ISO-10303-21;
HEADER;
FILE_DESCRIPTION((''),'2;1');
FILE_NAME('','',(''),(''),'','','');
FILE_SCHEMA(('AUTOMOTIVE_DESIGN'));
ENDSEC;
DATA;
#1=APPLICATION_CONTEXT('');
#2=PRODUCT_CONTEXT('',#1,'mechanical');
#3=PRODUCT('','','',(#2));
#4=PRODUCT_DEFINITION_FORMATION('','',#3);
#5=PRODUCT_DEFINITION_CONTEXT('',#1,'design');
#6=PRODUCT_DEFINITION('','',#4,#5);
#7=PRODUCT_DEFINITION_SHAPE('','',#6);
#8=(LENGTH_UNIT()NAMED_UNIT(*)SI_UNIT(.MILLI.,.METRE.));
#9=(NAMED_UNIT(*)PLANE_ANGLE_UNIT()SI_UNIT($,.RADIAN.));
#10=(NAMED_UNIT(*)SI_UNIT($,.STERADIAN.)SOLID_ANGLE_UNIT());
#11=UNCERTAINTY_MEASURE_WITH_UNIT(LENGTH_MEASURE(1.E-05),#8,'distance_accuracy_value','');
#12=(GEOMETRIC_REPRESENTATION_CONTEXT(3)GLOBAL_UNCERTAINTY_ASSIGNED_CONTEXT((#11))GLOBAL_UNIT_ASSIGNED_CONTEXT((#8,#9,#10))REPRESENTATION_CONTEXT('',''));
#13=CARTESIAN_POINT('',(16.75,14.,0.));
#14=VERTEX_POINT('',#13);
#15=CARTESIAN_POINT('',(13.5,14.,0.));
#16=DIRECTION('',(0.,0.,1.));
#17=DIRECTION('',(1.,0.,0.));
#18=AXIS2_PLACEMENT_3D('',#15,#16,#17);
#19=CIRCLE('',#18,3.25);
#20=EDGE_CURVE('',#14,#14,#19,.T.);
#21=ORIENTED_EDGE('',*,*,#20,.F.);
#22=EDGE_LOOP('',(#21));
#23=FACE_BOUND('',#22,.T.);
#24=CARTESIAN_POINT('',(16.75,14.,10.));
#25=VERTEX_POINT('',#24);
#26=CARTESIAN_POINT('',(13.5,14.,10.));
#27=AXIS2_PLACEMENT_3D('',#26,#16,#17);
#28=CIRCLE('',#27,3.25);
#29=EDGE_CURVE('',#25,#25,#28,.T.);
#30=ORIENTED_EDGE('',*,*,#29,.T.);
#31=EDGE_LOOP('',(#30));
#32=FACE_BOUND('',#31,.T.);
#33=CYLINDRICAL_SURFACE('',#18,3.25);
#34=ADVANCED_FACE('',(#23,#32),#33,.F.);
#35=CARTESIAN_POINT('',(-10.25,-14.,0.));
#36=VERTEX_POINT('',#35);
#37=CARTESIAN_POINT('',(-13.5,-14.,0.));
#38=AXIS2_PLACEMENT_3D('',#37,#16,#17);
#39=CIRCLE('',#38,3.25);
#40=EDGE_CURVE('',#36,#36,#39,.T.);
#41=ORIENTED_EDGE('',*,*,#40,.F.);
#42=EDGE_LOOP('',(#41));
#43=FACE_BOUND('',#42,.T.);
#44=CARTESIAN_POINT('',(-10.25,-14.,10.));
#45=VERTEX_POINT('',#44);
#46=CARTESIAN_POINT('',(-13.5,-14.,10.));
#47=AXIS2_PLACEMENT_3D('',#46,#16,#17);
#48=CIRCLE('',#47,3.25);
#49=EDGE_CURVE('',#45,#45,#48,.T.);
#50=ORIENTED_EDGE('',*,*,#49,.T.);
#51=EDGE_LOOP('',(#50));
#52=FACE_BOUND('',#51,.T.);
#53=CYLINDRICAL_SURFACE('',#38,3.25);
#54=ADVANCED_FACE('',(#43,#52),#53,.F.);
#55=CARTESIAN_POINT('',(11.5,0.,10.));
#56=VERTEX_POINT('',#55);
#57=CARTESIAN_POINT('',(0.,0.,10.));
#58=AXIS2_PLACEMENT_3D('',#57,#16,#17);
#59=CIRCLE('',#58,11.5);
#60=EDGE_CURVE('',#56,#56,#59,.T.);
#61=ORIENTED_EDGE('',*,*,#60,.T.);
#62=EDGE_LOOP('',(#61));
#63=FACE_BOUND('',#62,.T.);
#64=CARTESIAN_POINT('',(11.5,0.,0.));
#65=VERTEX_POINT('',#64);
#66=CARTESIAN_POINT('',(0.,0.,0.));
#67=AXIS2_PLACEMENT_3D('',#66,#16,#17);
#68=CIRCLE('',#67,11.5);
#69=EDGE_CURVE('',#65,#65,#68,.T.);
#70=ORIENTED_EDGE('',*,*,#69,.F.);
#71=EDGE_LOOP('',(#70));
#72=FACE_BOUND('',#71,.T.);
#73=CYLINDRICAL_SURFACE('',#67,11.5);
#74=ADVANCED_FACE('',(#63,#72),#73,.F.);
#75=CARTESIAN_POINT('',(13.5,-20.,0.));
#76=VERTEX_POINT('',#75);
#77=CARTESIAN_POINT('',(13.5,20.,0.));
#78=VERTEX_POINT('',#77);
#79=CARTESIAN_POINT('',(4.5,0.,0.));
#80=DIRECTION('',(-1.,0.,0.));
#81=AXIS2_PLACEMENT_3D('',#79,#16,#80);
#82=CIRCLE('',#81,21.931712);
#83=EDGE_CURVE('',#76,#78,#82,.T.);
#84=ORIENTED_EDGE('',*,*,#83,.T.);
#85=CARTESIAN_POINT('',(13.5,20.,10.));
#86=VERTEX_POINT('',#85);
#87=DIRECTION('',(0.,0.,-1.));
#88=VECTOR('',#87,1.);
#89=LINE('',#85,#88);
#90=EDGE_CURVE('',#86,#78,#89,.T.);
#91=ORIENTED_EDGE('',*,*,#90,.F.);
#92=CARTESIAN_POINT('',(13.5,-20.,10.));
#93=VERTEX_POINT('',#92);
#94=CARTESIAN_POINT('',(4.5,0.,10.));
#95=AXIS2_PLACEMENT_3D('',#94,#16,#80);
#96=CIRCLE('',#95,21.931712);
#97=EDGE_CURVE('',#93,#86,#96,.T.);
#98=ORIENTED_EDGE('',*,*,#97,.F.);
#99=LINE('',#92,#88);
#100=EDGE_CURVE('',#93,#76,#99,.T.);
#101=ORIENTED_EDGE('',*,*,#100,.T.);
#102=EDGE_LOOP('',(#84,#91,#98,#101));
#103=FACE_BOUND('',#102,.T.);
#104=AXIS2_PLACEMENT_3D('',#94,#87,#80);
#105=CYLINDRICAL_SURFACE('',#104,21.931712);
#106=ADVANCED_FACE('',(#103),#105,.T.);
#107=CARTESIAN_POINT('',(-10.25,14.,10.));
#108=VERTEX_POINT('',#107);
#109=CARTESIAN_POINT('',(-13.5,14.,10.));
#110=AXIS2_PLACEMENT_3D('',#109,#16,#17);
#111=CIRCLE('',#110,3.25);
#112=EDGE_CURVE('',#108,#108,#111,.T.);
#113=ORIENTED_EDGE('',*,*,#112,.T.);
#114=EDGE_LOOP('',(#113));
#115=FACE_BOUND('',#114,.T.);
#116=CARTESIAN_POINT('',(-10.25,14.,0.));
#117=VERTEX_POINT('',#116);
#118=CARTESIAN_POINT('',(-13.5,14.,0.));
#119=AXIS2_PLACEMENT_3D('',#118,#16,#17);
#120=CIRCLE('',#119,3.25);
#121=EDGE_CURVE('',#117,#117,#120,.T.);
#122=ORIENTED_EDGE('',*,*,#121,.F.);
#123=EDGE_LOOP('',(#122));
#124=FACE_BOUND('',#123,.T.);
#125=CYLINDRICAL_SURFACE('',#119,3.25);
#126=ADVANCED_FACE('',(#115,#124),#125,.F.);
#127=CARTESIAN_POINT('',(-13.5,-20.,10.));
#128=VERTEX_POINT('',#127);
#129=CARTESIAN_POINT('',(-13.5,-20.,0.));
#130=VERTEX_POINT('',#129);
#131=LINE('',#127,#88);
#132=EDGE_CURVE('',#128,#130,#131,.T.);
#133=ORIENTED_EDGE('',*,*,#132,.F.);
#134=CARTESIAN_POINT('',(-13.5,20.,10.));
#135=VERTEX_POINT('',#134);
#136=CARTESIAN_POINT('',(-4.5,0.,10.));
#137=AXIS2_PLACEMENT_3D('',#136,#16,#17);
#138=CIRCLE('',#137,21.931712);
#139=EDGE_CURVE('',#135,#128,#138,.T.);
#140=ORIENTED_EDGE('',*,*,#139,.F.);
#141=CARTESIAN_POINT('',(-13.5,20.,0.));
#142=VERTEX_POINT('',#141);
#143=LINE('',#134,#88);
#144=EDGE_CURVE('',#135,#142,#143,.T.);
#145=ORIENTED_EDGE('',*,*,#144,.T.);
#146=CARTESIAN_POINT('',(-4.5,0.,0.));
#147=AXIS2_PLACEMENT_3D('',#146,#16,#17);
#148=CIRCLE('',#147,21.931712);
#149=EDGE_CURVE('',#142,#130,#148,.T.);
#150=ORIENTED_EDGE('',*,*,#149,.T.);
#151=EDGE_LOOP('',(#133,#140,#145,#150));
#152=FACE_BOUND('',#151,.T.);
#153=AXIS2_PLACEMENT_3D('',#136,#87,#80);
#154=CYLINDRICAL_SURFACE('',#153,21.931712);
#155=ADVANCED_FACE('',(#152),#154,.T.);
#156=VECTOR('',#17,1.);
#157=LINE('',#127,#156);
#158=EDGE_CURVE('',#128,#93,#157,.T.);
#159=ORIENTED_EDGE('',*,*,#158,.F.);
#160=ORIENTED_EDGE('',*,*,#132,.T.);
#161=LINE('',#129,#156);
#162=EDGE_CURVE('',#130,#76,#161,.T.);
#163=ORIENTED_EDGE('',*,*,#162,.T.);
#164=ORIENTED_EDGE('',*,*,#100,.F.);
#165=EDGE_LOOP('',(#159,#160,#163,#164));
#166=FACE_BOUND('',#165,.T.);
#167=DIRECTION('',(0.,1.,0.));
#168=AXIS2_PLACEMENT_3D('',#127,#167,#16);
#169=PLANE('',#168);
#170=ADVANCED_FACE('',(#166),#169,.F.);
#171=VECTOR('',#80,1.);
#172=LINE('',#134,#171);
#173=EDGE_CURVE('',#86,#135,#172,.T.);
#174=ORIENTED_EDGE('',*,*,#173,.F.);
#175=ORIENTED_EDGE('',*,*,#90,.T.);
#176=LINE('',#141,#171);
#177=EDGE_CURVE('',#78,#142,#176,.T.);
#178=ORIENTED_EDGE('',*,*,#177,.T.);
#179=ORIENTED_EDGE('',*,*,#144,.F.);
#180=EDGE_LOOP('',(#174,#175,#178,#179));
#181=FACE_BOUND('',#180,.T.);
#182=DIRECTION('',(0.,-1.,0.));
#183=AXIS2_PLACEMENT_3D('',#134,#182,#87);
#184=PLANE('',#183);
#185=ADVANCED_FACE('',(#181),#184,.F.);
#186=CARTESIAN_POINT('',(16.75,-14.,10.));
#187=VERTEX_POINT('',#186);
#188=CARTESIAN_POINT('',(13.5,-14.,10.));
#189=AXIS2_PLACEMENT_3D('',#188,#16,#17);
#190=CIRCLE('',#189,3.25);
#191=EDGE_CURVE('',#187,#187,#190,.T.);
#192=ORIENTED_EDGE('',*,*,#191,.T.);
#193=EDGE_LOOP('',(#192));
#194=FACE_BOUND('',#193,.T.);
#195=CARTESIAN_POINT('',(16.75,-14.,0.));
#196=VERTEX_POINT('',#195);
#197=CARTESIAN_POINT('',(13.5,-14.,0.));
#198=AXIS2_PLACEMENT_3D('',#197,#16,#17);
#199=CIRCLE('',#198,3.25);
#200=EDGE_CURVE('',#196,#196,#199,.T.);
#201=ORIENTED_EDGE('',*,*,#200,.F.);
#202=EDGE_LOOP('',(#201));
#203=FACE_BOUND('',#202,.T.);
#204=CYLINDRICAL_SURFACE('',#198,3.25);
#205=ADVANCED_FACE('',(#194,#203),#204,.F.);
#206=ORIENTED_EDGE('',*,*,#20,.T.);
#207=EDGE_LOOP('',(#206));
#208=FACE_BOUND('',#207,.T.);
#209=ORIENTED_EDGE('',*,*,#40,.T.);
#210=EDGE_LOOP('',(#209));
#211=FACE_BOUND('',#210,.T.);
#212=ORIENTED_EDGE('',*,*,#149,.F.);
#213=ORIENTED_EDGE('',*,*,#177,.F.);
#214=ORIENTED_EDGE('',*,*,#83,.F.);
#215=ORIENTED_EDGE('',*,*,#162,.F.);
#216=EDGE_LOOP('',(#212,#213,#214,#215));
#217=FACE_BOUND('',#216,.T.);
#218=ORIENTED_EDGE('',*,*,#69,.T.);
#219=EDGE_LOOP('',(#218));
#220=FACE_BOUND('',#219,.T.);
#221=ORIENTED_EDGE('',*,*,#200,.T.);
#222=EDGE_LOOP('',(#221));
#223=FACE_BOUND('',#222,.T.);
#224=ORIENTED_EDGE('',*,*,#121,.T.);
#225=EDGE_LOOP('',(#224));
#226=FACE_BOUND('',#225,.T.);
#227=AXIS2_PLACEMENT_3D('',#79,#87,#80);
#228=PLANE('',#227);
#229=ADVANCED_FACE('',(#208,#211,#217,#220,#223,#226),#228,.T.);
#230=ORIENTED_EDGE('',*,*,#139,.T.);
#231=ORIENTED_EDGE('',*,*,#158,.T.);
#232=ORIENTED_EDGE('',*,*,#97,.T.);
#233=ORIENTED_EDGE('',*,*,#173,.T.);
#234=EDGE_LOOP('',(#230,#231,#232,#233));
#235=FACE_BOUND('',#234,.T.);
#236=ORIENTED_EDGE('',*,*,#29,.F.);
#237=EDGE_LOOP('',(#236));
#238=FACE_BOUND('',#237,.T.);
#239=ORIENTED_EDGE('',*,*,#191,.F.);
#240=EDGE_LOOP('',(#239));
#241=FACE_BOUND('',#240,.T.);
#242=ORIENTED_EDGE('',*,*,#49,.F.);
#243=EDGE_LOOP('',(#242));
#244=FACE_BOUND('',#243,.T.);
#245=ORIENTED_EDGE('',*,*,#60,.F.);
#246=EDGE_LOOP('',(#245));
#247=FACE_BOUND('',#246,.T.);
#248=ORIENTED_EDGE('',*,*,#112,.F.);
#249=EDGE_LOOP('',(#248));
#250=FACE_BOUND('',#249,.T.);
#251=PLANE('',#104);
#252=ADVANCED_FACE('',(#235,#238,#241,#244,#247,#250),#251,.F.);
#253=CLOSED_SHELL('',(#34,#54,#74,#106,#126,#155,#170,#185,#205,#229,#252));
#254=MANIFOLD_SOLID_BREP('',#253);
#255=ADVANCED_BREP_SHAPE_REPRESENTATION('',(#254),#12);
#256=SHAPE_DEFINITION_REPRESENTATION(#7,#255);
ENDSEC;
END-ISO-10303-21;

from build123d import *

# Parameters (mm, degrees)
BOSS_EXTRUDE1_DEPTH = 10
SKETCH3_R           = 11.5
CUT_EXTRUDE1_DEPTH  = 11
SKETCH4_R           = 3.25
CUT_EXTRUDE2_DEPTH  = 11


with BuildPart() as part:
    # Sketch2 → Boss-Extrude1 (new body)
    with BuildSketch(Plane.XY):
        with BuildLine():
            Line((-13.5, 20), (13.5, 20))
            ThreePointArc((13.5, 20), (26.431712199, 0), (13.5, -20))
            Line((13.5, -20), (-13.5, -20))
            ThreePointArc((-13.5, -20), (-26.431712199, 0), (-13.5, 20))
        make_face()
    extrude(amount=BOSS_EXTRUDE1_DEPTH)

    # Sketch3 → Cut-Extrude1 (cut, through all)
    with BuildSketch(Plane.XY.offset(10)):
        Circle(SKETCH3_R)
    extrude(amount=-CUT_EXTRUDE1_DEPTH, mode=Mode.SUBTRACT)

    # Sketch4 → Cut-Extrude2 (cut, through all)
    with BuildSketch(Plane.XY.offset(10)):
        with Locations((-13.5, 14)):
            Circle(SKETCH4_R)
        with Locations((-13.5, -14)):
            Circle(SKETCH4_R)
        with Locations((13.5, -14)):
            Circle(SKETCH4_R)
        with Locations((13.5, 14)):
            Circle(SKETCH4_R)
    extrude(amount=-CUT_EXTRUDE2_DEPTH, mode=Mode.SUBTRACT)


solid = part.part
